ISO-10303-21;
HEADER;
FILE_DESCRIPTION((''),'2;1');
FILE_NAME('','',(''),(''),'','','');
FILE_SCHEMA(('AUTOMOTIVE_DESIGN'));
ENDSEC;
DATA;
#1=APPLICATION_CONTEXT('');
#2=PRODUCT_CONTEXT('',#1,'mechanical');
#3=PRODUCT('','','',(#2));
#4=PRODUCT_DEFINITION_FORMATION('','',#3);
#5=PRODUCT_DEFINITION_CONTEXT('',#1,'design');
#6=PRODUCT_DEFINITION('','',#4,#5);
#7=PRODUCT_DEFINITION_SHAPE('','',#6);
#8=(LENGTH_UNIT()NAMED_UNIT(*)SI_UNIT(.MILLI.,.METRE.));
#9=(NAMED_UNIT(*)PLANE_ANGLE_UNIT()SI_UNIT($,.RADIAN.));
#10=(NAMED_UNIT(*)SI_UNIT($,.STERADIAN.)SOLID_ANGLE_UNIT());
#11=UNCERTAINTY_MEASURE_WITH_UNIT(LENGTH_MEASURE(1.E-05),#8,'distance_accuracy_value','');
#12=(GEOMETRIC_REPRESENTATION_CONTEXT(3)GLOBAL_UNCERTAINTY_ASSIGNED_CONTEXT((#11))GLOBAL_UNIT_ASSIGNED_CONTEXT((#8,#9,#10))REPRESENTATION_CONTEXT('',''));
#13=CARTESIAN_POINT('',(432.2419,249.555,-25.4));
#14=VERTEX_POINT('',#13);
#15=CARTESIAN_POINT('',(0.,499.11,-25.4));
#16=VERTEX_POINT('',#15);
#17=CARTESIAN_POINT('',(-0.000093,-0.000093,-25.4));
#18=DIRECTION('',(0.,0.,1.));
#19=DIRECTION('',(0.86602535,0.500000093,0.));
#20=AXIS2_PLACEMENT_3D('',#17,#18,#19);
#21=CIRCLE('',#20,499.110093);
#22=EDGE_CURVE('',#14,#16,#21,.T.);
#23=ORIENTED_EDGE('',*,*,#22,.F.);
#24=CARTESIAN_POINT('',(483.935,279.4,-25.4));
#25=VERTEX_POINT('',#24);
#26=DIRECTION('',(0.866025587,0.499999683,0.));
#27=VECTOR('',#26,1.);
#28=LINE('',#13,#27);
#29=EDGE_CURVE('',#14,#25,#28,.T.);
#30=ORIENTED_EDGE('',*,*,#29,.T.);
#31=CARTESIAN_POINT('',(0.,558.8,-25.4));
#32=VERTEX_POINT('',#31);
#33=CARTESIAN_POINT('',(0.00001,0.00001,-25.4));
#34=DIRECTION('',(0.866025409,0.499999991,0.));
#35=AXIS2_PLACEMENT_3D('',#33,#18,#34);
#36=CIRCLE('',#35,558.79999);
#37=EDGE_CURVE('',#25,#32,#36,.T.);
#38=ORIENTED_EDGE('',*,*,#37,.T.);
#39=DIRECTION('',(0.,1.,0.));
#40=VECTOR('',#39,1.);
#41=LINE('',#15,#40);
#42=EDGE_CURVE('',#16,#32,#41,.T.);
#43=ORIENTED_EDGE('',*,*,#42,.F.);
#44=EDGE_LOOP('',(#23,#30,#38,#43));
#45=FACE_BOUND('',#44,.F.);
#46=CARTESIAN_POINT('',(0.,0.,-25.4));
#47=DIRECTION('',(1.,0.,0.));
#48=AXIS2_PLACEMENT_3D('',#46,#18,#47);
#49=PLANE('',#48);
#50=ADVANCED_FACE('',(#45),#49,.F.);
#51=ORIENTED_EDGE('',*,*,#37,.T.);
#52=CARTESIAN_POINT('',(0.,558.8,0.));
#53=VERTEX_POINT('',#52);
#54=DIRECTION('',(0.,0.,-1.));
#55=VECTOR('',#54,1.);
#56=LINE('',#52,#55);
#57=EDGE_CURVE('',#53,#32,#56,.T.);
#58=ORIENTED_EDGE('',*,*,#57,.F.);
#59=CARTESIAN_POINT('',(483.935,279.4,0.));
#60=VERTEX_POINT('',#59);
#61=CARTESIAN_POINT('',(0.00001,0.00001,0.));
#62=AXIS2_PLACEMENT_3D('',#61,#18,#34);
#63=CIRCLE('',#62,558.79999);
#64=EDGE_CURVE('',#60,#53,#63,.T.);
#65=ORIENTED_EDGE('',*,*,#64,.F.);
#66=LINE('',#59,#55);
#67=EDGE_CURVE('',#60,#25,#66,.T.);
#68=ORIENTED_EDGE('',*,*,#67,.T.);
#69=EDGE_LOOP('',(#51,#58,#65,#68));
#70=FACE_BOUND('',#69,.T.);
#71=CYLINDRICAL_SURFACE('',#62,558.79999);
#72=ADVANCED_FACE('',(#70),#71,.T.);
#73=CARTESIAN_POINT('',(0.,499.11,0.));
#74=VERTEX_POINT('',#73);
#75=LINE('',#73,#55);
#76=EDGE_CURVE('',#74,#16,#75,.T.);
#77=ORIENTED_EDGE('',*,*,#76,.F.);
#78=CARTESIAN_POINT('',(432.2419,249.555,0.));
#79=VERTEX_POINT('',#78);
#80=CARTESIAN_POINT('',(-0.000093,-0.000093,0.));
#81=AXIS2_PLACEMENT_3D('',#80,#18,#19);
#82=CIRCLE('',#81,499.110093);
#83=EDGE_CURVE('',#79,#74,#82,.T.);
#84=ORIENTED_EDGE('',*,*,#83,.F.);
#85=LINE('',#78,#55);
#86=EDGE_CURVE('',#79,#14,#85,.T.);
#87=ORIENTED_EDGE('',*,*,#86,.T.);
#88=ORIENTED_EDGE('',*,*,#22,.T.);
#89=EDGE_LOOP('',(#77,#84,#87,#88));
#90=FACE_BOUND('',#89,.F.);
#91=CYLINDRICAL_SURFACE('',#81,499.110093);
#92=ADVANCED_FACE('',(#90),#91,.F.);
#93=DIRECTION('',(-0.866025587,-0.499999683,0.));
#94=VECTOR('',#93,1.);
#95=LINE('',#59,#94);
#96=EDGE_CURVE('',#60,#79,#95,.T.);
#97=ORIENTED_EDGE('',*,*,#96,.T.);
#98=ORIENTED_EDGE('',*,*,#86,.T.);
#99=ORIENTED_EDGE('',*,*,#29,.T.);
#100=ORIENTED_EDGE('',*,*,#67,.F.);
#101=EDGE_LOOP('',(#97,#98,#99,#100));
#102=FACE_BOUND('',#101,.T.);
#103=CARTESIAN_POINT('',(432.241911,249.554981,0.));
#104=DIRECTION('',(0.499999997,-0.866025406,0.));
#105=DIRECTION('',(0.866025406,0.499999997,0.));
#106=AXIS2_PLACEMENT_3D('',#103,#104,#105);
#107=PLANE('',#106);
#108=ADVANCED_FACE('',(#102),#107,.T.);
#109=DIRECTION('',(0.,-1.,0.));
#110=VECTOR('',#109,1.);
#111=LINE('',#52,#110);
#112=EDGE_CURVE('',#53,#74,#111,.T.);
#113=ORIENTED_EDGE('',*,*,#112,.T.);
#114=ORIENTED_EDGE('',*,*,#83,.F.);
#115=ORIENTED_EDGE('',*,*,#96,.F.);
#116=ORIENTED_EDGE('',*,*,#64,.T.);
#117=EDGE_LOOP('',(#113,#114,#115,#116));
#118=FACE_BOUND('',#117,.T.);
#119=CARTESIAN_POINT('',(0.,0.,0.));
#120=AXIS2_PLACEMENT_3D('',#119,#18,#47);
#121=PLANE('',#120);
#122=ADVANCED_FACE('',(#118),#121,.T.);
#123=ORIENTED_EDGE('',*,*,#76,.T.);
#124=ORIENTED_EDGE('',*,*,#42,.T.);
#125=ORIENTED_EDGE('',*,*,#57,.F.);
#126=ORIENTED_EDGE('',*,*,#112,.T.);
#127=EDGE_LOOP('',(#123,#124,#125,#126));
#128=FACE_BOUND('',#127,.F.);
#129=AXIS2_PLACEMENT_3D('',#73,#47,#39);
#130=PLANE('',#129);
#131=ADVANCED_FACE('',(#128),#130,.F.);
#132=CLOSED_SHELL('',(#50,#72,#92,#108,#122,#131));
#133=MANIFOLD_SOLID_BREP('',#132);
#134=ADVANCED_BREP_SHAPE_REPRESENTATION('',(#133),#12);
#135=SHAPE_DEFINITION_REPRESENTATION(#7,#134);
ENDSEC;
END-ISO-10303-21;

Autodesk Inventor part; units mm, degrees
ref_plane "YZ Plane" through (0, 0, 0) normal (1, 0, 0) x (0, 1, 0)
ref_plane "XZ Plane" through (0, 0, 0) normal (0, 1, 0) x (-1, 0, 0)
ref_plane "XY Plane" through (0, 0, 0) normal (0, 0, 1) x (1, 0, 0)
sketch "Sketch1" plane through (0, 0, 0) normal (0, 0, 1) x (1, 0, 0)
  arc A0 (439.9409, 254) -> (0, 508) centre (0, 0) ccw
  arc A1 (432.2419, 249.555) -> (0, 499.11) centre (0, 0) ccw
  arc A2 (483.935, 279.4) -> (0, 558.8) centre (0, 0) ccw
  line L0 (0, 0) -> (0, 558.8)
  line L1 (0, 0) -> (483.935, 279.4)
  dimension "d0" = 1016
  dimension "d1" = 8.89
  dimension "d2" = 50.8
  dimension "d3" = 60
extrude "Extrusion1" add sketch "Sketch1" against normal blind 25.4 contours L1 A1 L0 A0 | A0 L0 A2 L1
properties part number "SideB"
